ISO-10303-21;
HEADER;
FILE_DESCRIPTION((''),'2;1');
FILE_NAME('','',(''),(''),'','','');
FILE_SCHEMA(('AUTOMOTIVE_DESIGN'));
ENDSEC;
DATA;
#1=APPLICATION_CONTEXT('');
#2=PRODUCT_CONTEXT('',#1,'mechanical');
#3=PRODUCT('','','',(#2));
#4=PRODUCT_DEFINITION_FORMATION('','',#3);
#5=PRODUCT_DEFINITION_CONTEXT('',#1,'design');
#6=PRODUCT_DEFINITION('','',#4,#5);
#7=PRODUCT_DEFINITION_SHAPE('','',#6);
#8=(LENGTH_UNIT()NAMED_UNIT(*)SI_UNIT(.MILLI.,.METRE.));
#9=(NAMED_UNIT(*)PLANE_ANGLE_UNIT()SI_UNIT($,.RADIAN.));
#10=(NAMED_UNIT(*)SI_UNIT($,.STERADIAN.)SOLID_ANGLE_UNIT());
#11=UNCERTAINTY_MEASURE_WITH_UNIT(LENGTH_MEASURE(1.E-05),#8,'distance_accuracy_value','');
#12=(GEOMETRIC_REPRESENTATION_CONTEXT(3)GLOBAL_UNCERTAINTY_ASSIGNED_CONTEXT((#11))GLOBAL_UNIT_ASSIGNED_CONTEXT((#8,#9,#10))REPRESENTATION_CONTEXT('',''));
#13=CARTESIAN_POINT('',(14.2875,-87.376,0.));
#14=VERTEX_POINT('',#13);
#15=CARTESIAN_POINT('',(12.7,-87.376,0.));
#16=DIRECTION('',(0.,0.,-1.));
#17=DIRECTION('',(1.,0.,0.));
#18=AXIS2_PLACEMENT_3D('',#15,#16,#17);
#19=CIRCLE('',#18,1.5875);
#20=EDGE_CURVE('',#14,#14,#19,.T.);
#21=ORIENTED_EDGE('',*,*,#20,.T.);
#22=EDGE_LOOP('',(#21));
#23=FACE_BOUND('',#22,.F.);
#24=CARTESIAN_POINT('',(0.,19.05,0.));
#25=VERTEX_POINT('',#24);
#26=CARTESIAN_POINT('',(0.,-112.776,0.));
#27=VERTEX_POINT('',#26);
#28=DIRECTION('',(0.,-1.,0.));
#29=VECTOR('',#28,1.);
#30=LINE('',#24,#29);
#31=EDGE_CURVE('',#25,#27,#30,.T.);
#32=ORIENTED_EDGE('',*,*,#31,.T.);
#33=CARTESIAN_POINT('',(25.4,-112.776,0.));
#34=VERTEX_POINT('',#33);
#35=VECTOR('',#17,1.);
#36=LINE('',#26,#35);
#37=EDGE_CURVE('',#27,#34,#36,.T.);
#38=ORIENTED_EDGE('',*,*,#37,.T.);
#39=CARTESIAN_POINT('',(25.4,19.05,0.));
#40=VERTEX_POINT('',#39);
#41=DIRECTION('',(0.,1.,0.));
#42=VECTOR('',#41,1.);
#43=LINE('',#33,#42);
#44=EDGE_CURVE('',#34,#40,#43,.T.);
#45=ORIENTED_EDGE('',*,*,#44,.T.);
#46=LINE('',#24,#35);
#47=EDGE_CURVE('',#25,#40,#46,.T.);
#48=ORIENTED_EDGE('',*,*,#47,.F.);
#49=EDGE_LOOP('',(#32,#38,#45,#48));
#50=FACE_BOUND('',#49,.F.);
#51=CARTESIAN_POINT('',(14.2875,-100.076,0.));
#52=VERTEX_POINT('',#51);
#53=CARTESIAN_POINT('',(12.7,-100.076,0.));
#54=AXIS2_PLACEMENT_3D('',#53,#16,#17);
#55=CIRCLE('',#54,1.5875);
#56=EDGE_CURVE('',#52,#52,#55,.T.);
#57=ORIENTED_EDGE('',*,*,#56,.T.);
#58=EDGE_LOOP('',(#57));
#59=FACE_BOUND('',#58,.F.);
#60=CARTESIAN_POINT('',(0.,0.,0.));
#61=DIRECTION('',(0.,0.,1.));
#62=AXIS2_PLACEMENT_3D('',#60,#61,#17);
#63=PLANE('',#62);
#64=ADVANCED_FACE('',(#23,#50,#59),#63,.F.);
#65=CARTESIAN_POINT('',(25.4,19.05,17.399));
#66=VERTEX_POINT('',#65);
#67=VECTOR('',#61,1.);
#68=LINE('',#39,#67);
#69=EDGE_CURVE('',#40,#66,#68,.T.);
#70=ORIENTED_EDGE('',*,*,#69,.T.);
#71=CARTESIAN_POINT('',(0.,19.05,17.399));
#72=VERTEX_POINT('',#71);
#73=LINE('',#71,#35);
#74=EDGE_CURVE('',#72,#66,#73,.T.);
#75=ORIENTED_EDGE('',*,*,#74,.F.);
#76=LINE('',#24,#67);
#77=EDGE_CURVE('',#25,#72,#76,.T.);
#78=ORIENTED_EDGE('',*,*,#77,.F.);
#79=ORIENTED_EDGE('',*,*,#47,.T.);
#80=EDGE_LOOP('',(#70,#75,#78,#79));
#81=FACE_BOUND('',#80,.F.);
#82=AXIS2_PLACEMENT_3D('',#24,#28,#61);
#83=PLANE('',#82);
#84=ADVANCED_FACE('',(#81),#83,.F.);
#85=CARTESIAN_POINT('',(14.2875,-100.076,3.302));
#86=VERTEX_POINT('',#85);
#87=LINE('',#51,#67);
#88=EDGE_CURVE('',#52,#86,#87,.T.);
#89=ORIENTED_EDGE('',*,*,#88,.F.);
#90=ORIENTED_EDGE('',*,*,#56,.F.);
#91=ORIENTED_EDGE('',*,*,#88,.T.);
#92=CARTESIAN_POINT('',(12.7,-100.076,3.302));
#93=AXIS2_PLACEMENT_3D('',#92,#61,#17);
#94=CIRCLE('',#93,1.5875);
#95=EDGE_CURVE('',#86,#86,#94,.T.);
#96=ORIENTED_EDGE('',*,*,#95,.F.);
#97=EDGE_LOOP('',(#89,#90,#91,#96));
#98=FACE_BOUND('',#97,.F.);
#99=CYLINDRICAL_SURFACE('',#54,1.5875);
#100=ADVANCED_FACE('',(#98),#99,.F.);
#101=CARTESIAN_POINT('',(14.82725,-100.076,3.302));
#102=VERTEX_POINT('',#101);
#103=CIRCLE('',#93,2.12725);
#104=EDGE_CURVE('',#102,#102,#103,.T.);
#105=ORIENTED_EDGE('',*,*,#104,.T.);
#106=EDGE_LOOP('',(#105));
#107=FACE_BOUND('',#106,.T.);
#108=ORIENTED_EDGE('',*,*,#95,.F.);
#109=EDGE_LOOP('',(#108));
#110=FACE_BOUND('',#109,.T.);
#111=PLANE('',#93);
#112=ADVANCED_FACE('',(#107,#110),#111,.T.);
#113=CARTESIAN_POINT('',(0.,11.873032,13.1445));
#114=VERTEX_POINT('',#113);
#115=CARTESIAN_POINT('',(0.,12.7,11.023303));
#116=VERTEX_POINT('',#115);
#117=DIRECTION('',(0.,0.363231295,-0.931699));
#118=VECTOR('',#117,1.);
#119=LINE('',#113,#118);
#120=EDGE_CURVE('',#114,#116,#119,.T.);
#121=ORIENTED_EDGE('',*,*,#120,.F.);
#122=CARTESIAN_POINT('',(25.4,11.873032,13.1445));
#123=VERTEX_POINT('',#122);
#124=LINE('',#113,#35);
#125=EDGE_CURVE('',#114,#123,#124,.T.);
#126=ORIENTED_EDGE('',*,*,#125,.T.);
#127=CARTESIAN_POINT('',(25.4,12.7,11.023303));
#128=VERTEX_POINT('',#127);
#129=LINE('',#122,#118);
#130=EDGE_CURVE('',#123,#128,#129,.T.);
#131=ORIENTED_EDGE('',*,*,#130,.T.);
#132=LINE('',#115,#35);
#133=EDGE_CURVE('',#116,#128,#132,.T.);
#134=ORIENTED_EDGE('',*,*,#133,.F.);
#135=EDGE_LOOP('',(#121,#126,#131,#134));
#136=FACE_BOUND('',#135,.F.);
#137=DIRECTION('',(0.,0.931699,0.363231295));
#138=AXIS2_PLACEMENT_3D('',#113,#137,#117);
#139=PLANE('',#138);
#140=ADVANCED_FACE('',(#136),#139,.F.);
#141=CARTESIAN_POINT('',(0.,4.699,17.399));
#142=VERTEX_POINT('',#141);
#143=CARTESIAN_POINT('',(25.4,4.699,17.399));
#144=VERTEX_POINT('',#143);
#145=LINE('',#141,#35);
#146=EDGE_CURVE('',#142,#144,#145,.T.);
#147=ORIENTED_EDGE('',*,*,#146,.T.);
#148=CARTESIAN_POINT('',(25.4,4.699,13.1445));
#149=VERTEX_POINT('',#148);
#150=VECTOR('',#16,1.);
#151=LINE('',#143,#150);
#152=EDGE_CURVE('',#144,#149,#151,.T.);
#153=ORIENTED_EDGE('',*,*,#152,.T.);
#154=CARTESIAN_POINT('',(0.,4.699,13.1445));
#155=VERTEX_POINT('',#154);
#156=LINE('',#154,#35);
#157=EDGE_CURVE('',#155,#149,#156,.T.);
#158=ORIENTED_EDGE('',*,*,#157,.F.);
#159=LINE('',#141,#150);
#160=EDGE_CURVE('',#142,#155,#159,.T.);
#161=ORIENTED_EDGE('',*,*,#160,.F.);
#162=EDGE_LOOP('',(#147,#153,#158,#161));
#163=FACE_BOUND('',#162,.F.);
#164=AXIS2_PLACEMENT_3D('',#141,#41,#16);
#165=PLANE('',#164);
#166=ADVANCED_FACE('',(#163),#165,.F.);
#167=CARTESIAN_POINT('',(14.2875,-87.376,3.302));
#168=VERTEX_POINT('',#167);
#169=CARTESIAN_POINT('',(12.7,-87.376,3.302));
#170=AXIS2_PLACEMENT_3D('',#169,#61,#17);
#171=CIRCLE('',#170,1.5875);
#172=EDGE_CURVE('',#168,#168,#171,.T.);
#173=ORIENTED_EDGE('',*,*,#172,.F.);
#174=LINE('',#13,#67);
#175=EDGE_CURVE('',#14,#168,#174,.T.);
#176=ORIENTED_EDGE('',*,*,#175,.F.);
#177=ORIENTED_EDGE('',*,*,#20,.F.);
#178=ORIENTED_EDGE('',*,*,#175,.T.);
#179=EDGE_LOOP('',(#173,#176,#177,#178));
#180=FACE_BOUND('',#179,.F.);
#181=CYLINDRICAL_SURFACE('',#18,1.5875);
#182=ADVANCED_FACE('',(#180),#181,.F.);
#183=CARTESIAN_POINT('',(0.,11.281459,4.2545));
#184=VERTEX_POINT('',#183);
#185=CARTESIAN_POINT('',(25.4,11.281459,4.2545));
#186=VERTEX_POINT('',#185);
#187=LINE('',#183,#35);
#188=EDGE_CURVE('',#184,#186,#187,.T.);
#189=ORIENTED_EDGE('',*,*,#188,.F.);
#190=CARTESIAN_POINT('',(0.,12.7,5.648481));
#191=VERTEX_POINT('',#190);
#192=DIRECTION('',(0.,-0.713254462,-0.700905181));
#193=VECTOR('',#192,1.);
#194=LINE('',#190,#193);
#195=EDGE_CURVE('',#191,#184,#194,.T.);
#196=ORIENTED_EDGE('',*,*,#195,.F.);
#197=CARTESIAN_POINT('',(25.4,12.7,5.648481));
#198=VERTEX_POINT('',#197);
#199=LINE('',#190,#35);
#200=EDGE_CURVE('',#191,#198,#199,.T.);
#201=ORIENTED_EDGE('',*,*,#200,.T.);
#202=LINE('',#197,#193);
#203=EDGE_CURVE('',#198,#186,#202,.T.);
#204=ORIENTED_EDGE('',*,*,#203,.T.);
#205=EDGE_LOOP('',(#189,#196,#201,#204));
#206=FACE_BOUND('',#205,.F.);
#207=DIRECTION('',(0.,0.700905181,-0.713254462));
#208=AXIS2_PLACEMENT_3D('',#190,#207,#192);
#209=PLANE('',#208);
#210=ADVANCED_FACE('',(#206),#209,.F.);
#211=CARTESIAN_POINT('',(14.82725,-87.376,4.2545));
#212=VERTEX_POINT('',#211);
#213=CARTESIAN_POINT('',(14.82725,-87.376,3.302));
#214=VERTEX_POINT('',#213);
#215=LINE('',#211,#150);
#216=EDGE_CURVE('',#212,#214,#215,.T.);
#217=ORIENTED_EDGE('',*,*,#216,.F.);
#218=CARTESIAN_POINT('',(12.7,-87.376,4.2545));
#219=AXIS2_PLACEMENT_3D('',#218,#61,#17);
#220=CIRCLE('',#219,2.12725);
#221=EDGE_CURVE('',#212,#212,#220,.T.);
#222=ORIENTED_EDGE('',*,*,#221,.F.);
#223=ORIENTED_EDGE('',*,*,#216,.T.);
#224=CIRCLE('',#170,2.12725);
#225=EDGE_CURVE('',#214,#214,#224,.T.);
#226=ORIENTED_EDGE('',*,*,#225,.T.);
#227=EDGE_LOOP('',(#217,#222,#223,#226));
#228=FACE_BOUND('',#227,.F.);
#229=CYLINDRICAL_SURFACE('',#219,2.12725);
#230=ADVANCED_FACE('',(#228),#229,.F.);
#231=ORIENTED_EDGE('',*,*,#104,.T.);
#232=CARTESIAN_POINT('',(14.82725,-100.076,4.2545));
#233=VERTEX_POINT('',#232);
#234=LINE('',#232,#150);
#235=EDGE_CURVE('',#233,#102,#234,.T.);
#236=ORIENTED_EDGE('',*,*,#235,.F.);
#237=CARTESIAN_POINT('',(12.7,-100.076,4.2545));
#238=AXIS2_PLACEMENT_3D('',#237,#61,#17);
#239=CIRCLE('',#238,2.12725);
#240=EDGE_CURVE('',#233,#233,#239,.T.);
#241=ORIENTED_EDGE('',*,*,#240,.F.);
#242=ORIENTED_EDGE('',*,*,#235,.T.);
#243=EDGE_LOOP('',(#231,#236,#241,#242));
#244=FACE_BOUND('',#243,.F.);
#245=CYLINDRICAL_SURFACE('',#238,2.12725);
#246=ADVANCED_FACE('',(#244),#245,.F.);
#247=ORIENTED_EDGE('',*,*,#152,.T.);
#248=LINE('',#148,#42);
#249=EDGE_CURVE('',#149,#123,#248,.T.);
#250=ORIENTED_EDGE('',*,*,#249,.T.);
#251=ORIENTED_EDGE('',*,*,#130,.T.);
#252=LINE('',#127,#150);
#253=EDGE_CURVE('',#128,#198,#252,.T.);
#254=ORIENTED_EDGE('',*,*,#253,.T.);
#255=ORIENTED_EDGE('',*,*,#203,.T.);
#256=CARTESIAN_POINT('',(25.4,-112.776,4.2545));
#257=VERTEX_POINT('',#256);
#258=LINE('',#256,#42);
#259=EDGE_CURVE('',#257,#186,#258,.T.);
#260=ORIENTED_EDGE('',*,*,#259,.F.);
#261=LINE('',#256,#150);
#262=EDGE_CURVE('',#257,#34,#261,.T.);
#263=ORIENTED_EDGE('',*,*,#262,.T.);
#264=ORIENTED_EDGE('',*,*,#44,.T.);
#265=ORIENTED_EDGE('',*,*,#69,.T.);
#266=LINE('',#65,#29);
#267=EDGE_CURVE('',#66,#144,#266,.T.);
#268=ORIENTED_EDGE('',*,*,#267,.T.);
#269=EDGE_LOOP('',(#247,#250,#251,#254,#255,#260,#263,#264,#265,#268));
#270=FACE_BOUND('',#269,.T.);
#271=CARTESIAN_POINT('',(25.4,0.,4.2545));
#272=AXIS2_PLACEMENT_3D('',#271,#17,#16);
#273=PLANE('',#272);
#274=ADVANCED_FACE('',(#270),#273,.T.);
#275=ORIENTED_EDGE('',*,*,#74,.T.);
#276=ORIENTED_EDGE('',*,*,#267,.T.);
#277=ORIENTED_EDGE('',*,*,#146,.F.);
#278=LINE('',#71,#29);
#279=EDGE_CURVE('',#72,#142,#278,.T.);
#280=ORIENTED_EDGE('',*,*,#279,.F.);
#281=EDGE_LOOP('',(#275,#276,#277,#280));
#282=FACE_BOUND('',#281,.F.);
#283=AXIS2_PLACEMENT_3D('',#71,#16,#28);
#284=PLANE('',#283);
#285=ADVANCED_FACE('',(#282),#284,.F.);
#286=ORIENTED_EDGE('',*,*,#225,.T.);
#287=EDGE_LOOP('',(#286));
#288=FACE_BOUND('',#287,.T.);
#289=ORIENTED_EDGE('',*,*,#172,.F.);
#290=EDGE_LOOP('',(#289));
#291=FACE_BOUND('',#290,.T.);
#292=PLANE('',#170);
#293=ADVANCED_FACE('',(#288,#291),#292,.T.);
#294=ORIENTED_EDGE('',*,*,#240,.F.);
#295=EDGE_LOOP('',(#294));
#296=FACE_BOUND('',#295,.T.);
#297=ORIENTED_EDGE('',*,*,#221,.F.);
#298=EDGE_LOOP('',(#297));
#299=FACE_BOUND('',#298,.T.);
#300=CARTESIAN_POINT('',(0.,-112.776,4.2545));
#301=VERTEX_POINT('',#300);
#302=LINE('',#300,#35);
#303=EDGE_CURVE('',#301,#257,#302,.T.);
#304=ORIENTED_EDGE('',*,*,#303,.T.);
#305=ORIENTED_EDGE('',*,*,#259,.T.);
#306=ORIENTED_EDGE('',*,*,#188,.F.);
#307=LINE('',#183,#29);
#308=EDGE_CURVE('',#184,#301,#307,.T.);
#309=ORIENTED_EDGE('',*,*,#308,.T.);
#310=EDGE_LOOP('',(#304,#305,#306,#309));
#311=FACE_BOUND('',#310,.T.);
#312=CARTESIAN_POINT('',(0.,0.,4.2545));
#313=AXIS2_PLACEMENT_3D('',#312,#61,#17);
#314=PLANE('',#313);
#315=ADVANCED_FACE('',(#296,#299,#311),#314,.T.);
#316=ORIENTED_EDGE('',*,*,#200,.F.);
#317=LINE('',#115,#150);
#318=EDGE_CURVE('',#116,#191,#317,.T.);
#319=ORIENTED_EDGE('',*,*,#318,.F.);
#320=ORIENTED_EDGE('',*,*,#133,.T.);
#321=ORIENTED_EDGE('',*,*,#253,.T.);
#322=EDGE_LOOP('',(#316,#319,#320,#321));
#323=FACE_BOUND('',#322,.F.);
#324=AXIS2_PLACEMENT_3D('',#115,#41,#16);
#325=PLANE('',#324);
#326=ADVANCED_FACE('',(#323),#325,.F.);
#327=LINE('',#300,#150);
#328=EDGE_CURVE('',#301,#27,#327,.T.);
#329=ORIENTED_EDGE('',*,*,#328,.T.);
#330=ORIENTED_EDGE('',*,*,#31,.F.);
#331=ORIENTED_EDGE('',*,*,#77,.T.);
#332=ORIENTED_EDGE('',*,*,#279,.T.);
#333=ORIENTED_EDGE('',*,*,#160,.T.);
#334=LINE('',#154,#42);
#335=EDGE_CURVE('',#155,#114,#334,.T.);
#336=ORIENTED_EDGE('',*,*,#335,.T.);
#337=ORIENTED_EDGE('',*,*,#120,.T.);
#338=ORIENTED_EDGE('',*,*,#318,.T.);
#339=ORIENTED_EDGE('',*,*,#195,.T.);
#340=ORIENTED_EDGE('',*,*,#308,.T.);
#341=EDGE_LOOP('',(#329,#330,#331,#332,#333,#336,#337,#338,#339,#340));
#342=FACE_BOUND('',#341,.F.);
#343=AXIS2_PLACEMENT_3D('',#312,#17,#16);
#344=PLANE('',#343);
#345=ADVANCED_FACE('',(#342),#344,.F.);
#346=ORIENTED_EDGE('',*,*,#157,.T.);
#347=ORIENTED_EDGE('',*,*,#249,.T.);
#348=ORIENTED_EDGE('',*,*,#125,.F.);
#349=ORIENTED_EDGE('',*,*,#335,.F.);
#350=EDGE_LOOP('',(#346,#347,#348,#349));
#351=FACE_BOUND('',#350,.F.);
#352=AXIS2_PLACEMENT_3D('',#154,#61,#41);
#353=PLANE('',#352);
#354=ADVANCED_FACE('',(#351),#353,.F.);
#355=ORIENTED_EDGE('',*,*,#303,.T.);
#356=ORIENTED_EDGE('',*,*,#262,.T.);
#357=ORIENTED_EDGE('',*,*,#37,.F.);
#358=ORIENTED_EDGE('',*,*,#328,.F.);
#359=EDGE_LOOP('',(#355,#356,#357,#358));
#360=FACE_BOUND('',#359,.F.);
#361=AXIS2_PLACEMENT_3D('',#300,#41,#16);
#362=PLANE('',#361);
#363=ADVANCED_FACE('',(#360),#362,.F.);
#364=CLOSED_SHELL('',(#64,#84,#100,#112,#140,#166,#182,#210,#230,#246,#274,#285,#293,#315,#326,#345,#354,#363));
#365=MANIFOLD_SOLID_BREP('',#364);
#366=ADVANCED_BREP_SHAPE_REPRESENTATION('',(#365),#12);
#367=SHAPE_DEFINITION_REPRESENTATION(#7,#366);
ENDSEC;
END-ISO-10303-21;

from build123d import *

# Parameters (mm, degrees)
F1_DEPTH = 25.4
F2_DEPTH = 112.776
F3_R     = 1.5875
F4_DEPTH = 25.4
F5_R     = 2.12725
F5_R_2   = 1.5875
F6_DEPTH = 0.9525


with BuildPart() as f1:
    # F0 (on Right) → F1 (new body)
    with BuildSketch(Plane.YZ):
        Polygon((0, 4.2545), (0, 0), (12.7, 0), (19.05, 0), (19.05, 4.2545), (19.05, 17.399), (12.7, 17.399), (4.699, 17.399), (4.699, 13.1445), (11.8730319638, 13.1445), (12.7, 11.0233025625), (12.7, 5.6484807283), (11.281458661, 4.2545), align=None)
    extrude(amount=F1_DEPTH)

    # F2 (add): a face of the model
    f2_faces = [f1.faces().sort_by_distance(p)[0] for p in [
        (12.7, 0, 2.12725),
    ]]
    extrude(f2_faces, amount=F2_DEPTH)

    # F3 (on face) → F4 (cut)
    with BuildSketch(Plane(origin=(0, 0, 0), x_dir=(1, 0, 0), z_dir=(0, 0, -1))):
        with Locations((12.7, 100.076)):
            Circle(F3_R)
        with Locations((12.7, 87.376)):
            Circle(F3_R)
    extrude(amount=-F4_DEPTH, mode=Mode.SUBTRACT)

    # F5 (on face) → F6 (cut)
    with BuildSketch(Plane.XY.offset(4.2545)):
        with Locations((12.7, -87.376)):
            Circle(F5_R)
        with Locations((12.7, -87.376)):
            Circle(F5_R_2, mode=Mode.SUBTRACT)
        with Locations((12.7, -100.076)):
            Circle(F5_R)
        with Locations((12.7, -100.076)):
            Circle(F5_R_2, mode=Mode.SUBTRACT)
    extrude(amount=-F6_DEPTH, mode=Mode.SUBTRACT)


solid = f1.part
